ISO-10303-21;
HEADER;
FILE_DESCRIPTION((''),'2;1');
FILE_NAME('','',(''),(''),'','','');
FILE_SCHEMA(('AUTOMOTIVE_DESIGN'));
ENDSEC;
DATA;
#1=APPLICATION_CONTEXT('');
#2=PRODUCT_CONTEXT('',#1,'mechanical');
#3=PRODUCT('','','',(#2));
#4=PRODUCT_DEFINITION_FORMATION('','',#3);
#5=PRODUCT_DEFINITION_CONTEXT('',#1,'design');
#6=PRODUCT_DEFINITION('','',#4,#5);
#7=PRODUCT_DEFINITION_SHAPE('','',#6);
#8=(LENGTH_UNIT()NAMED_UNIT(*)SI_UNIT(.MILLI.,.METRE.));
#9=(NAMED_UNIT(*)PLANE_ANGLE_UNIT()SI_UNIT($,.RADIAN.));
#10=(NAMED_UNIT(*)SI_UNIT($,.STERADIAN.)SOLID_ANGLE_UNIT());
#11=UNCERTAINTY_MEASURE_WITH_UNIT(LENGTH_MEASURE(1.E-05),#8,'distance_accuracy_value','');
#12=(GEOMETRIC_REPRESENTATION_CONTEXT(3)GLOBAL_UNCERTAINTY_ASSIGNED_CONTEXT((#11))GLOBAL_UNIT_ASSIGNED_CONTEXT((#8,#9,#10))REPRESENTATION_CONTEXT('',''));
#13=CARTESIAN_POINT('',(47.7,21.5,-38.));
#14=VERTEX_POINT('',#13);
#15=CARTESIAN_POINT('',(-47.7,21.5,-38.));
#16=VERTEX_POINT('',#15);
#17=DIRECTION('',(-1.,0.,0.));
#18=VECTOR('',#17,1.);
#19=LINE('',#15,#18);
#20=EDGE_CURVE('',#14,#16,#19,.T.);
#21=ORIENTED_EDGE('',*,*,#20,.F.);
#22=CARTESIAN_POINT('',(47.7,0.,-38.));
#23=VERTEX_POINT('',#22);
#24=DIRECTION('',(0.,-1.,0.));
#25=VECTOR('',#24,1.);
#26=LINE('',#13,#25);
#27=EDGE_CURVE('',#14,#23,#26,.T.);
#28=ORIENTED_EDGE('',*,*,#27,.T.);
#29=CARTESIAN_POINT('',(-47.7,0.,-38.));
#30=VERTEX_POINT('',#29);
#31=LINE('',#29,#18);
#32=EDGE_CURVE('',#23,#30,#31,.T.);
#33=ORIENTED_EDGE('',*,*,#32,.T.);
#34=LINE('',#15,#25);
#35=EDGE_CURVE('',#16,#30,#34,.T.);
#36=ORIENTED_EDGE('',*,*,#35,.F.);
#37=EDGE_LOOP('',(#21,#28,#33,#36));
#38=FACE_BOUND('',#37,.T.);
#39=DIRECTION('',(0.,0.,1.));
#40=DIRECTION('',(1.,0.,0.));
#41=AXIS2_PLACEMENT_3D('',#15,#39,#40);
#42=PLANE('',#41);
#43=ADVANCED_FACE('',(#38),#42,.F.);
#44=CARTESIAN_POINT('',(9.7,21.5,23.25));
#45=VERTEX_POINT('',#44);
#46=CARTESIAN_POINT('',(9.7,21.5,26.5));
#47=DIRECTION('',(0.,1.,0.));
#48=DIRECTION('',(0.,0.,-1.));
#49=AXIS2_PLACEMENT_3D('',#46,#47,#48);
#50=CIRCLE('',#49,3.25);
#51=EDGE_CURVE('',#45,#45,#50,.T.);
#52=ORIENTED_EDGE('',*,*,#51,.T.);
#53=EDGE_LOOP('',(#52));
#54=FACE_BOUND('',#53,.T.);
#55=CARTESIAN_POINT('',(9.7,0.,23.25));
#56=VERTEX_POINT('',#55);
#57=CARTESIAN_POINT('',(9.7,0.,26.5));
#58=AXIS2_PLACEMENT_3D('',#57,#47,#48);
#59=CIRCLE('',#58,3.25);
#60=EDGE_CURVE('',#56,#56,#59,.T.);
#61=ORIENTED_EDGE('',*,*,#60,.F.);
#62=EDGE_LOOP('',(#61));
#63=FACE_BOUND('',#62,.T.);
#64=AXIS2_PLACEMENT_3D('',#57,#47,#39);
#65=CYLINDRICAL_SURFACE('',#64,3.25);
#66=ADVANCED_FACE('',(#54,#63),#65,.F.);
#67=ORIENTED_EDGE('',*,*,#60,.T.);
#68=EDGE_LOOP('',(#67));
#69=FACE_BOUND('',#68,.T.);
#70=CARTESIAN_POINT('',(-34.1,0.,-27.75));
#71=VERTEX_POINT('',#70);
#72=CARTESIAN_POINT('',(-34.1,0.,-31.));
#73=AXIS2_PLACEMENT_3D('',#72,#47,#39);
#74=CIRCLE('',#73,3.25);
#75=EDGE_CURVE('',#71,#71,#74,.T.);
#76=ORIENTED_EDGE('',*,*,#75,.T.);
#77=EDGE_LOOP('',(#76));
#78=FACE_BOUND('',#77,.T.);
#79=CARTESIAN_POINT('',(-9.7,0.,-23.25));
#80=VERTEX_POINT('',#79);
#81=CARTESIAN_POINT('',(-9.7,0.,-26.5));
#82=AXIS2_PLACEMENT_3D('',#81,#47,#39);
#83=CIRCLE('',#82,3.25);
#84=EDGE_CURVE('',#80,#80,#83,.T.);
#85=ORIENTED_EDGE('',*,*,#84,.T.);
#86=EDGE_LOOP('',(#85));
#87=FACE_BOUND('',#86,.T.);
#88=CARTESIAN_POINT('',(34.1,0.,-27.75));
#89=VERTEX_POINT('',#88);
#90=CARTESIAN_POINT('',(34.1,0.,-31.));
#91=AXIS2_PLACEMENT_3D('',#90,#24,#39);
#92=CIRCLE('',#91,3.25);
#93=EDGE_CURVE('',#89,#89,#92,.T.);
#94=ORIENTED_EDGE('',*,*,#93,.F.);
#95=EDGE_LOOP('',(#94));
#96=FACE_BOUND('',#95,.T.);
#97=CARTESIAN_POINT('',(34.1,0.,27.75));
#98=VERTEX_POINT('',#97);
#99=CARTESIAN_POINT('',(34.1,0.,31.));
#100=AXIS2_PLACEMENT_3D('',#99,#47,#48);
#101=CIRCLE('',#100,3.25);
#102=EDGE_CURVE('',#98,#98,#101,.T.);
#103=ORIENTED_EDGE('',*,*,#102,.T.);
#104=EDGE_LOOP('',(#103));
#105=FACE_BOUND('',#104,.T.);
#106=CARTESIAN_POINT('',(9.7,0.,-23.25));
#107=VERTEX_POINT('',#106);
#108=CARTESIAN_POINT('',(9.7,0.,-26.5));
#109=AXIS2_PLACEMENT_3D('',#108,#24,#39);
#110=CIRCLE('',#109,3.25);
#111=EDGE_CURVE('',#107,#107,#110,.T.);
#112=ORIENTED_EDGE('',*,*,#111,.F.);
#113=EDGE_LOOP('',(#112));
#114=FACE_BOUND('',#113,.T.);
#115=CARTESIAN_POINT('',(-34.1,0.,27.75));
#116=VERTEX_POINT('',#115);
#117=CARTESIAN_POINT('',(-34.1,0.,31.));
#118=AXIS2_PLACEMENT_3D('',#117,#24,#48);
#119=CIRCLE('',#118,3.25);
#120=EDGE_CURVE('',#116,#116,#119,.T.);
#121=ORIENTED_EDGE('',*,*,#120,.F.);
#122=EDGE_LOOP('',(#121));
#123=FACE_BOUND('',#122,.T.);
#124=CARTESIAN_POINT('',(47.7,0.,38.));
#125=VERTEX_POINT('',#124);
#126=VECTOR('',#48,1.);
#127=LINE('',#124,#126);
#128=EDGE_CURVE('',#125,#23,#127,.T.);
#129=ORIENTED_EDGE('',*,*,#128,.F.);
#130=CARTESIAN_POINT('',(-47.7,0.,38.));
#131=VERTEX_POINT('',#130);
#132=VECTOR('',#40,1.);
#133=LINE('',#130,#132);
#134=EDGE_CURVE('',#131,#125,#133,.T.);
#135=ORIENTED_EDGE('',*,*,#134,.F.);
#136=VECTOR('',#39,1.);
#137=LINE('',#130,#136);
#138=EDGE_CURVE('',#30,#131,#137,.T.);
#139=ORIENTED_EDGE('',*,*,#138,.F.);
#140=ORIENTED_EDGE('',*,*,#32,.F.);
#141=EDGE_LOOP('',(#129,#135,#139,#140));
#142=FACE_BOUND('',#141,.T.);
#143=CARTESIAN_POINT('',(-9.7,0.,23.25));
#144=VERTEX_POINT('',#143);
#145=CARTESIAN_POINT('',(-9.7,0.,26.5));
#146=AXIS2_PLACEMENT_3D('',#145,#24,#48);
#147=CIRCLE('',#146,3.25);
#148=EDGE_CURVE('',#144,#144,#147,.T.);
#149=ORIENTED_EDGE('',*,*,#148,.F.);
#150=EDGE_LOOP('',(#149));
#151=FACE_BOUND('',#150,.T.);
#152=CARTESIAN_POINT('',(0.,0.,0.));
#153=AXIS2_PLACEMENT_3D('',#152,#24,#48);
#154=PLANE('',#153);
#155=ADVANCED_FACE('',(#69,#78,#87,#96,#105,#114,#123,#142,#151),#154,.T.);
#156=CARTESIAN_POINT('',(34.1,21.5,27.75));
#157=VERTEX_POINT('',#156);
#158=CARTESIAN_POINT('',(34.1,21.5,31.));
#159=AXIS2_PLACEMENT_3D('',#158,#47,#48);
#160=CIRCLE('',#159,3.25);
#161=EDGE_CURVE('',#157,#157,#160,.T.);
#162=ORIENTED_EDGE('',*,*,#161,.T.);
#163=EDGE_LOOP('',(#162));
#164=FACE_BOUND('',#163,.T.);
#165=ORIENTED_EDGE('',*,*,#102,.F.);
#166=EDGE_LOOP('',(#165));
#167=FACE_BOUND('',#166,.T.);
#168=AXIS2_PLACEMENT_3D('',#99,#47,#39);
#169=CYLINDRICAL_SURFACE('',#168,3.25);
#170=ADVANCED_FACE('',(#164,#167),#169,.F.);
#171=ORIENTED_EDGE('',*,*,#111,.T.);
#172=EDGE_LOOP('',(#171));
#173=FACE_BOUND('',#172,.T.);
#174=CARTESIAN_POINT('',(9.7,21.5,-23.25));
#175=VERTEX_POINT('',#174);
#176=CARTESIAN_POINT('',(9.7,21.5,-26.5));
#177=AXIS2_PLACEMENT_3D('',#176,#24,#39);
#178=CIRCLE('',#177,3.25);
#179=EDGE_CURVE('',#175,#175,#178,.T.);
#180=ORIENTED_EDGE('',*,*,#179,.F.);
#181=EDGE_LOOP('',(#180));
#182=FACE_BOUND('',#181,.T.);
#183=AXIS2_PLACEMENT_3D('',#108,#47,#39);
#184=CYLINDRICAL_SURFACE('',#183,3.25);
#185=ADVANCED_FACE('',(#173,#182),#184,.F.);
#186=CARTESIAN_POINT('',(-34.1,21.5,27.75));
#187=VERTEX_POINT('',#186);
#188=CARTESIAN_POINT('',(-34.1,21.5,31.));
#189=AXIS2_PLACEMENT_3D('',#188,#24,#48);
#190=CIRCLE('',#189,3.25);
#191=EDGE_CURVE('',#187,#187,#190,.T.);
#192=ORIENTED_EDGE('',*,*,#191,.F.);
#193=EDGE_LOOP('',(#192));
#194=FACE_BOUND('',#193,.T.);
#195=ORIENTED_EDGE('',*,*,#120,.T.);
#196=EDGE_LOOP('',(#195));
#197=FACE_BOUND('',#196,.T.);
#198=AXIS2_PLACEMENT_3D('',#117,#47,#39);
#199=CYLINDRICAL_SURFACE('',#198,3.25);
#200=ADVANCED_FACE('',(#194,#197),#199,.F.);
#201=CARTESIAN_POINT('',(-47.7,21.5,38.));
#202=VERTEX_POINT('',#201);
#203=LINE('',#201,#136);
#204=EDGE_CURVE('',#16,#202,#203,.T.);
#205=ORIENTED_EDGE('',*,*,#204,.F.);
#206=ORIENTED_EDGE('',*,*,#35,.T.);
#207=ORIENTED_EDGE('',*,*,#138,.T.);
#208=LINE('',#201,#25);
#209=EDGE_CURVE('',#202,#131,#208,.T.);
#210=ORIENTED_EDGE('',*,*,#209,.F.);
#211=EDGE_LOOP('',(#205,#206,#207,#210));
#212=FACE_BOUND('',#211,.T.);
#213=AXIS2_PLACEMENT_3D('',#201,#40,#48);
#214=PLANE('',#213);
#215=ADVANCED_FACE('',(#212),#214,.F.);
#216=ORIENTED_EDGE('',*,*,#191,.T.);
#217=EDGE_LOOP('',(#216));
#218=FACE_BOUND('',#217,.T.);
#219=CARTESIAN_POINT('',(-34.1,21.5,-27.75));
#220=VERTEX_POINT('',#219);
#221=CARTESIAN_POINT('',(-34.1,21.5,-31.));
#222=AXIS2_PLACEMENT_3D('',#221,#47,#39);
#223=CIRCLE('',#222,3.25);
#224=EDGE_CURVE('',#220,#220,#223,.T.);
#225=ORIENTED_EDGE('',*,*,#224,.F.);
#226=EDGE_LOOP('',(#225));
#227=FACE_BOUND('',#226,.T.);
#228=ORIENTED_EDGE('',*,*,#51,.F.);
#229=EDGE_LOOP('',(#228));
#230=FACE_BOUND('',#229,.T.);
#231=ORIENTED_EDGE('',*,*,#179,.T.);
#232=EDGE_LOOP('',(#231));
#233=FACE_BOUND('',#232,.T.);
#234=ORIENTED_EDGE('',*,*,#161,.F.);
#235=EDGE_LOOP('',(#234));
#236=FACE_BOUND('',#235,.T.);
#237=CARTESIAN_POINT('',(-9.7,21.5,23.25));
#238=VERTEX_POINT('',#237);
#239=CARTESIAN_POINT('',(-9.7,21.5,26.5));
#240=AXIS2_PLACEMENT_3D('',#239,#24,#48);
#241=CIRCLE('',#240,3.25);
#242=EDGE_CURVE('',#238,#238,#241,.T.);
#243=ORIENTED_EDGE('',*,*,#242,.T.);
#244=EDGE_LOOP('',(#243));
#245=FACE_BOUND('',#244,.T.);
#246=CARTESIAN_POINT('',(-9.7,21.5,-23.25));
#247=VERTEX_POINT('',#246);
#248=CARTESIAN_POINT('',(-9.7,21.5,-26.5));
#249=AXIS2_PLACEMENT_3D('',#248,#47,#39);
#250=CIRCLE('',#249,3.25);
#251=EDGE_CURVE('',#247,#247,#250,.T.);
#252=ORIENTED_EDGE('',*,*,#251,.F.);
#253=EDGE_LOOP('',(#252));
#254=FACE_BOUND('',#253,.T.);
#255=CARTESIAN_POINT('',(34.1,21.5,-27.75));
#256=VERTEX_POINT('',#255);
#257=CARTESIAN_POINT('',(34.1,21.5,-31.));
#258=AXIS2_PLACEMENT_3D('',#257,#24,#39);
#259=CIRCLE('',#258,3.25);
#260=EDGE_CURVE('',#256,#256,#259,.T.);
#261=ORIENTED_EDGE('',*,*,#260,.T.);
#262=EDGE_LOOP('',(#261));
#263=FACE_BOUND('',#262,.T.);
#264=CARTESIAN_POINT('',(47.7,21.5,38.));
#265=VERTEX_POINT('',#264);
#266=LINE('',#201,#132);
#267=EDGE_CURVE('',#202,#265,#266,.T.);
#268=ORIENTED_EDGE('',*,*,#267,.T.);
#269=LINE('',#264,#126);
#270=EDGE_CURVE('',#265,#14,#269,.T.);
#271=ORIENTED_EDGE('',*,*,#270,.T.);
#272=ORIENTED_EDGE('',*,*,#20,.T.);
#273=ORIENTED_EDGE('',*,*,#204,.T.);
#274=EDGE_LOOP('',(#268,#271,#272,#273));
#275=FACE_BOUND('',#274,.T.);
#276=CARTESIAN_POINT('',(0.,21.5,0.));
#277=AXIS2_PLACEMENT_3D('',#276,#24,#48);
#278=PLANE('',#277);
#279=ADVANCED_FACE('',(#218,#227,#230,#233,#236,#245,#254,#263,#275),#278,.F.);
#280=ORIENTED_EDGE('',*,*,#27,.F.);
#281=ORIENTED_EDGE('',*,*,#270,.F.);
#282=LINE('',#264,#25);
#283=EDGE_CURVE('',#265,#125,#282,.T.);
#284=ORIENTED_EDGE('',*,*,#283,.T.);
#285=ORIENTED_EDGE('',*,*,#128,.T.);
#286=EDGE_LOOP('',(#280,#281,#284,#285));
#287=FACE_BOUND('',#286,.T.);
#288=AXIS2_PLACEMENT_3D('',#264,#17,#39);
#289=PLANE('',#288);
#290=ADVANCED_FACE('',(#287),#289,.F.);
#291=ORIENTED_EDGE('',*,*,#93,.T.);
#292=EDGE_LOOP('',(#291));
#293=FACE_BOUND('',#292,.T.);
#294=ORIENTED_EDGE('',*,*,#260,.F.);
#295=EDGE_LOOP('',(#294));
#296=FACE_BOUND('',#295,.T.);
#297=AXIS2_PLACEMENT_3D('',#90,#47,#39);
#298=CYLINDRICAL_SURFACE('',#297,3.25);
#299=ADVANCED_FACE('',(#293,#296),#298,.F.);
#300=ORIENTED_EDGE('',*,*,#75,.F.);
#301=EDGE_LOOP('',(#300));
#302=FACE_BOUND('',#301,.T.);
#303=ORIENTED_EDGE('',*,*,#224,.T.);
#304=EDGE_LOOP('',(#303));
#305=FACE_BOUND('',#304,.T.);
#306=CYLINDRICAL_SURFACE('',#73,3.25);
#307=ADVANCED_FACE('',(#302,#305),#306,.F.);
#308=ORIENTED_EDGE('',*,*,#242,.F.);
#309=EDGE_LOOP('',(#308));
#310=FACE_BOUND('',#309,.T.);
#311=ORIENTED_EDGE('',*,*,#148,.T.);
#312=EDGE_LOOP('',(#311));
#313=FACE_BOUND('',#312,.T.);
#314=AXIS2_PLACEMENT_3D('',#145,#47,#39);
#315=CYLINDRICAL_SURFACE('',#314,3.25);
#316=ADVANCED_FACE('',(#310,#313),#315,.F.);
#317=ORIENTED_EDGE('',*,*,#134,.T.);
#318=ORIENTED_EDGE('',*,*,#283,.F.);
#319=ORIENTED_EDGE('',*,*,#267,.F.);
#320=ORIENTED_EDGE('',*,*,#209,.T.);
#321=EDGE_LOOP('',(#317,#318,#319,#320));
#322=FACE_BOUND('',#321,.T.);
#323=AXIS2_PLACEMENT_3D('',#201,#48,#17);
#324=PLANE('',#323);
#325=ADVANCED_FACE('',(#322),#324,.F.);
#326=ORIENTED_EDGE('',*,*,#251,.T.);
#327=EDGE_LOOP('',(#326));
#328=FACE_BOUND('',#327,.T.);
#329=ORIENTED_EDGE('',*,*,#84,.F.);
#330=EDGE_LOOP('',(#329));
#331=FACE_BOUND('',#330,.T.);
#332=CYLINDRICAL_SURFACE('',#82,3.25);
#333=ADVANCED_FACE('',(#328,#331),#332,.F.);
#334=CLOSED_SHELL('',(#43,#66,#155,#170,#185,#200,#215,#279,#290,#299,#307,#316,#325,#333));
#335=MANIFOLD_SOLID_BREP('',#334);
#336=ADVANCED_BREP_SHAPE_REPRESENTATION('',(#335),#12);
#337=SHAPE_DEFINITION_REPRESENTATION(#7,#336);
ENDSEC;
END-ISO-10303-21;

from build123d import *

# Parameters (mm, degrees)
SKETCH1_W                                  = 95.4
SKETCH1_H                                  = 76
BOSS_EXTRUDE1_DEPTH                        = 21.5
SKETCH2_R                                  = 3.25
CUT_EXTRUDE1_DEPTH                         = 22.5
MIRROR1_AT_THE_SECOND_PLANE_COPY_1_SKETC_R = 3.25
MIRROR1_AT_THE_SECOND_PLANE_COPY_1_DEPTH   = 22.5


with BuildPart() as part:
    # Sketch1 → Boss-Extrude1 (new body)
    with BuildSketch(Plane(origin=(0, 0, 0), x_dir=(1, 0, 0), z_dir=(0, 1, 0))):
        Rectangle(SKETCH1_W, SKETCH1_H)
    extrude(amount=BOSS_EXTRUDE1_DEPTH)

    # Sketch2 → Cut-Extrude1 (cut, through all)
    with BuildSketch(Plane(origin=(0, 21.5, 0), x_dir=(1, 0, 0), z_dir=(0, 1, 0))):
        with Locations((-34.1, 31)):
            Circle(SKETCH2_R)
        with Locations((-9.7, 26.5)):
            Circle(SKETCH2_R)
    cut_extrude1 = extrude(amount=-CUT_EXTRUDE1_DEPTH, mode=Mode.SUBTRACT)

    # Mirror1: Cut-Extrude1 across plane
    add(cut_extrude1.mirror(Plane(origin=(0, 0, 0), x_dir=(0, 0, 1), z_dir=(1, 0, 0))), mode=Mode.SUBTRACT)

    # Mirror1 at the second plane: Cut-Extrude1 across plane
    add(cut_extrude1.mirror(Plane.XY), mode=Mode.SUBTRACT)

    # Mirror1 at the second plane copy 1 sketc → Mirror1 at the second plane copy 1 (cut, through all)
    with BuildSketch(Plane(origin=(0, 21.5, 0), x_dir=(-1, 0, 0), z_dir=(0, 1, 0))):
        with Locations((-34.1, 31)):
            Circle(MIRROR1_AT_THE_SECOND_PLANE_COPY_1_SKETC_R)
        with Locations((-9.7, 26.5)):
            Circle(MIRROR1_AT_THE_SECOND_PLANE_COPY_1_SKETC_R)
    extrude(amount=-MIRROR1_AT_THE_SECOND_PLANE_COPY_1_DEPTH, mode=Mode.SUBTRACT)


solid = part.part
